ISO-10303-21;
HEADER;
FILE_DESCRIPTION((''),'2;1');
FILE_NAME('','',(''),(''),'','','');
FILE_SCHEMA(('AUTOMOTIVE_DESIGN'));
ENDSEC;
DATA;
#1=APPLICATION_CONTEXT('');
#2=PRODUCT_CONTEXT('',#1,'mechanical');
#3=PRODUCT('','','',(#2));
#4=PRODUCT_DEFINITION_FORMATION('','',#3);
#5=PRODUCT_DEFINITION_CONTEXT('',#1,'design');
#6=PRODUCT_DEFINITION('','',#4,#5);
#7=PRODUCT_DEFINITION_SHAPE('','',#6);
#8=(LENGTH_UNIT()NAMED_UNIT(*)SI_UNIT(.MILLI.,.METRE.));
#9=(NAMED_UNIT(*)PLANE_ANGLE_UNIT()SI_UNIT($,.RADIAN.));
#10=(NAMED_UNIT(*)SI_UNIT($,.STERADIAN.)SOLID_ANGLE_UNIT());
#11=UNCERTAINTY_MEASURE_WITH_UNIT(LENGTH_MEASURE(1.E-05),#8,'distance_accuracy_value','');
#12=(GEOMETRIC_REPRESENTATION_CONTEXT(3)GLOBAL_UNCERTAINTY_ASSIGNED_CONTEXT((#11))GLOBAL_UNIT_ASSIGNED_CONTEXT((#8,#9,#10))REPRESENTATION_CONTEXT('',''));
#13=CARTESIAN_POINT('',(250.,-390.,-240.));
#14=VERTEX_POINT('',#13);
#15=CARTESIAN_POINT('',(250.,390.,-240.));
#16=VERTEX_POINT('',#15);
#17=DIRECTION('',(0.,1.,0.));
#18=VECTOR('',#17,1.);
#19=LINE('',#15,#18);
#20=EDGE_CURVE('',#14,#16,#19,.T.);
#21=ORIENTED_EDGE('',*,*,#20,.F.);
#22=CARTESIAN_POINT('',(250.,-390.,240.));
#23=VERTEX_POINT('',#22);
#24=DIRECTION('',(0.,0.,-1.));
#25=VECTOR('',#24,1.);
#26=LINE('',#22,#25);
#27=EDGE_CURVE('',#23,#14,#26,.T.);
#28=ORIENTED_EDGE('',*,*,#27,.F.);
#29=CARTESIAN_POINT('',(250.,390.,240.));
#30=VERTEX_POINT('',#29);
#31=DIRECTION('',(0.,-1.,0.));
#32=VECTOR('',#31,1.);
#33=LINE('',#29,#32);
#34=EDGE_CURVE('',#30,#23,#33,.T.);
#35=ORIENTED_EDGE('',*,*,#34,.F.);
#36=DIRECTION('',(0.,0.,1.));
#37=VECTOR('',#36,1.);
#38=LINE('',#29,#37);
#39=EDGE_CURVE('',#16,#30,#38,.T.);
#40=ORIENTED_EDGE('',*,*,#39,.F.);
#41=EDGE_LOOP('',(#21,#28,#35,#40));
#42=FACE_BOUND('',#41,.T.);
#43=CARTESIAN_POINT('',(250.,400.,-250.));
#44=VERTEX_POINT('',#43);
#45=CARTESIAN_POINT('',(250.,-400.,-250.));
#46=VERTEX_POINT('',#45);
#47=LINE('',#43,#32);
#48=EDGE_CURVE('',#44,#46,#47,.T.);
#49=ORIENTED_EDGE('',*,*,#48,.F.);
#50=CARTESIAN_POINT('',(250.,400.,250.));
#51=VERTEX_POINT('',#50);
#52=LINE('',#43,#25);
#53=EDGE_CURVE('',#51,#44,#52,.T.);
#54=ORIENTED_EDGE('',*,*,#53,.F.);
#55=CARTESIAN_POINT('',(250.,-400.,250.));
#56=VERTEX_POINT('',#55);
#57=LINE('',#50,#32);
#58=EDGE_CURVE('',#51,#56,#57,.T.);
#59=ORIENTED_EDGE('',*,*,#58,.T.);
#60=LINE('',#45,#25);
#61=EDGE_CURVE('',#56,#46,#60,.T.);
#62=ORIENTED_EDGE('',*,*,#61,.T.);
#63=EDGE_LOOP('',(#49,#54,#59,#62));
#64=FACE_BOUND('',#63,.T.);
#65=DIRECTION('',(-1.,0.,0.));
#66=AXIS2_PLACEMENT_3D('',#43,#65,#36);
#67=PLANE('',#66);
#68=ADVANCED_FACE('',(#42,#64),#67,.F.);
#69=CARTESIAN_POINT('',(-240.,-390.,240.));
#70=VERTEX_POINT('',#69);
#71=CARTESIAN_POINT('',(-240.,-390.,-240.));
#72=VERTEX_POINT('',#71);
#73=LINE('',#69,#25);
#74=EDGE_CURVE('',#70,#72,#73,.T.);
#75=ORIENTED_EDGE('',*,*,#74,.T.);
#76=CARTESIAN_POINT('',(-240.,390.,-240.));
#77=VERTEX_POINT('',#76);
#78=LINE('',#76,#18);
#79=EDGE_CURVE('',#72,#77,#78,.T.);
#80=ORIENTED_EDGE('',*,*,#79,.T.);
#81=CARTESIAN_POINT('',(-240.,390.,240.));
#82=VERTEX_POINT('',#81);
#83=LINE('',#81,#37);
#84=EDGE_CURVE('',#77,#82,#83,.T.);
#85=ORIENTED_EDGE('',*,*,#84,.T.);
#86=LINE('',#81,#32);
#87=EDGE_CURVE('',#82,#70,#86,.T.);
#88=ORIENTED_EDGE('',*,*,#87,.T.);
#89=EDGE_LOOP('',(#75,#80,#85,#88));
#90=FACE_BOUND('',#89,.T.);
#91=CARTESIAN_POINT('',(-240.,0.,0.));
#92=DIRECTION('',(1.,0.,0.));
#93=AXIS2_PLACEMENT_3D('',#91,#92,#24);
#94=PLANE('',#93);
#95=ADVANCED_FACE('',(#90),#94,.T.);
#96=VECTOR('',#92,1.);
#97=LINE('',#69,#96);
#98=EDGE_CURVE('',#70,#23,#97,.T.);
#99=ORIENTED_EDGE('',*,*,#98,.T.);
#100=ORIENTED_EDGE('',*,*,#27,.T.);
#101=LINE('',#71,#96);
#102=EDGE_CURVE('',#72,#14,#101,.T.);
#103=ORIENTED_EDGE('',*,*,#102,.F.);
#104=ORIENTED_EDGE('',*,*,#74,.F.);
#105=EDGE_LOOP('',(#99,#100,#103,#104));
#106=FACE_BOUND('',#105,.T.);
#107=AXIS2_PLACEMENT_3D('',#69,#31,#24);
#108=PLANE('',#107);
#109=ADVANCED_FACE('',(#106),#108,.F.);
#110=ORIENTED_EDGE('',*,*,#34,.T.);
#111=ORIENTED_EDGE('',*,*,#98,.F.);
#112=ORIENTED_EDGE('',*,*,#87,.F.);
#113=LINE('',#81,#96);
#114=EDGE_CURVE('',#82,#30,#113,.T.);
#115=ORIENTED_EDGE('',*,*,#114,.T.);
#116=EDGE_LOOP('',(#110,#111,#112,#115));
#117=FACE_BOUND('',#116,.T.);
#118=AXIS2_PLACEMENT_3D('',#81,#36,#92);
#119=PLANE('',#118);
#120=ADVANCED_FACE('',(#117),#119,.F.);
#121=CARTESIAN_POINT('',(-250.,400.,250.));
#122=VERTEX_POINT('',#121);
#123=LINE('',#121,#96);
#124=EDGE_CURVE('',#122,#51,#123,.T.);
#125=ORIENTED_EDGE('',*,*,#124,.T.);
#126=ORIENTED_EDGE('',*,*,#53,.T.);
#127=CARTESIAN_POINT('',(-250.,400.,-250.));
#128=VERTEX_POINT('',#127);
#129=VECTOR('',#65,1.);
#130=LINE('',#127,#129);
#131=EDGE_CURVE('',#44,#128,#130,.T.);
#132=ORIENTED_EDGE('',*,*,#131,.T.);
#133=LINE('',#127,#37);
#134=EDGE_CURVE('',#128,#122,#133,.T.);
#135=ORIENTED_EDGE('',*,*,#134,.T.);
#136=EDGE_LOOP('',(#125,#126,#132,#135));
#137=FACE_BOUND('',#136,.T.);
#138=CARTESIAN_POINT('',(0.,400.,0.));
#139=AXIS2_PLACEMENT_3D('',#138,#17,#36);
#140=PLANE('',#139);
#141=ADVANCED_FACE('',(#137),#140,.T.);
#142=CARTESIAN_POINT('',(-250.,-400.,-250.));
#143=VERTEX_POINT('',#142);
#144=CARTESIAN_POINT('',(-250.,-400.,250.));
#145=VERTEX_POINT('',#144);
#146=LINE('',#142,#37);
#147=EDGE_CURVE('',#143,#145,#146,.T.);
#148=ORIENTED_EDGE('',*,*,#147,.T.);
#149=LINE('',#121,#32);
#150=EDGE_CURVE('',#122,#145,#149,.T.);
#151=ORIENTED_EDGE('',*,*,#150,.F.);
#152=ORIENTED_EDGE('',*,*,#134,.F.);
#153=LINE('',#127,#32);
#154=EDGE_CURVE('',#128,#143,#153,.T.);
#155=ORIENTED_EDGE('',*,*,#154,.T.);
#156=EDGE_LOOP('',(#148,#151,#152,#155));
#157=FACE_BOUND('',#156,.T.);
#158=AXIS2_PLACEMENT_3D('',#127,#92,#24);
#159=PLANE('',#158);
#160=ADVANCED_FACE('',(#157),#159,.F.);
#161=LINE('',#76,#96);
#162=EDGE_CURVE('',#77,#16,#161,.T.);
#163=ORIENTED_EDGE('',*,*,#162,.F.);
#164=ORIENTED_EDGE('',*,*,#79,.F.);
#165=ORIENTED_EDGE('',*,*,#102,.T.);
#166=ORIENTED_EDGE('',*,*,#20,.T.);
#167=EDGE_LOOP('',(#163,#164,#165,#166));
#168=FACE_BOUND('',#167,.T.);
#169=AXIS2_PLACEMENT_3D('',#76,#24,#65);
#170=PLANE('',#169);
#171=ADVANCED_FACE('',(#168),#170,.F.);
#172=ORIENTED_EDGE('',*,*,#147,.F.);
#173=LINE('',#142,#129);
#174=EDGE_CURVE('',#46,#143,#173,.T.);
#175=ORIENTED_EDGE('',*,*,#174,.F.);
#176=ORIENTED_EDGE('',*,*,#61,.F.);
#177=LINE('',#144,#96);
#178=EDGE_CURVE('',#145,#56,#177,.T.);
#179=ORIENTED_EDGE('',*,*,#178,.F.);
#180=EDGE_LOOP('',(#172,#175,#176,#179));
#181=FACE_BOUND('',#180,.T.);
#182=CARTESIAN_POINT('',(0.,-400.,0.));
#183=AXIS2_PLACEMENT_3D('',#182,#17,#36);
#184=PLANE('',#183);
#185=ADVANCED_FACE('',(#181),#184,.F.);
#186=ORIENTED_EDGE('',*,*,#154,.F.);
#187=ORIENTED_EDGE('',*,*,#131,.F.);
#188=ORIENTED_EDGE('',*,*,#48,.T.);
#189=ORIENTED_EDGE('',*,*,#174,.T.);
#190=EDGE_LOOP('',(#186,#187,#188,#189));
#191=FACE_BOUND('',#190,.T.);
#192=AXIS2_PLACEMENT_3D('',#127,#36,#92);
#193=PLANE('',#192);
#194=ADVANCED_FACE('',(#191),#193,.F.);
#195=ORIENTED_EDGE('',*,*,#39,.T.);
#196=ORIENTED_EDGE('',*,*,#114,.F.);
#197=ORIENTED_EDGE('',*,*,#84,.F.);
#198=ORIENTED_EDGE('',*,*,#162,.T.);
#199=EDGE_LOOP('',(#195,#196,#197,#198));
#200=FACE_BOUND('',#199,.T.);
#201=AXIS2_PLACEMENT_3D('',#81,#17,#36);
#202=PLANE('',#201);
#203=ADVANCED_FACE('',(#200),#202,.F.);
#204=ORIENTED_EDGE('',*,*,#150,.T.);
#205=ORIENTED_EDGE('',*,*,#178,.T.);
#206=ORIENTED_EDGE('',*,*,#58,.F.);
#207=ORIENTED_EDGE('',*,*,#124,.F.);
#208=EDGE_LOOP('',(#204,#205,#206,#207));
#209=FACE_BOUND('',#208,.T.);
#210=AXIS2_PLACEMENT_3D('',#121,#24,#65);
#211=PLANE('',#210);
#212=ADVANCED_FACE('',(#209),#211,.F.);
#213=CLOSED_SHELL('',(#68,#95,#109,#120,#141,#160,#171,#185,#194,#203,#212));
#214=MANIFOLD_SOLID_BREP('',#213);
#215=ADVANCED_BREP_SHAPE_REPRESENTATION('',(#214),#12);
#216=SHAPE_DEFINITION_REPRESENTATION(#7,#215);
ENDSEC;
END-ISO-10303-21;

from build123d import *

# Parameters (mm, degrees)
SKETCH_1_W          = 500
SKETCH_1_H          = 500
EXTRUDE_1_DEPTH     = 400
SKETCH_2_W          = 480
SKETCH_2_H          = 780
CUT_EXTRUDE_1_DEPTH = 490


with BuildPart() as part:
    # 草图1 → 凸台-拉伸1 (new, symmetric)
    with BuildSketch(Plane(origin=(0, 0, 0), x_dir=(1, 0, 0), z_dir=(0, 1, 0))):
        Rectangle(SKETCH_1_W, SKETCH_1_H)
    extrude(amount=EXTRUDE_1_DEPTH, both=True)

    # 草图2 → 切除-拉伸1 (cut)
    with BuildSketch(Plane(origin=(250, 0, 0), x_dir=(0, 0, -1), z_dir=(1, 0, 0))):
        Rectangle(SKETCH_2_W, SKETCH_2_H)
    extrude(amount=-CUT_EXTRUDE_1_DEPTH, mode=Mode.SUBTRACT)


solid = part.part
